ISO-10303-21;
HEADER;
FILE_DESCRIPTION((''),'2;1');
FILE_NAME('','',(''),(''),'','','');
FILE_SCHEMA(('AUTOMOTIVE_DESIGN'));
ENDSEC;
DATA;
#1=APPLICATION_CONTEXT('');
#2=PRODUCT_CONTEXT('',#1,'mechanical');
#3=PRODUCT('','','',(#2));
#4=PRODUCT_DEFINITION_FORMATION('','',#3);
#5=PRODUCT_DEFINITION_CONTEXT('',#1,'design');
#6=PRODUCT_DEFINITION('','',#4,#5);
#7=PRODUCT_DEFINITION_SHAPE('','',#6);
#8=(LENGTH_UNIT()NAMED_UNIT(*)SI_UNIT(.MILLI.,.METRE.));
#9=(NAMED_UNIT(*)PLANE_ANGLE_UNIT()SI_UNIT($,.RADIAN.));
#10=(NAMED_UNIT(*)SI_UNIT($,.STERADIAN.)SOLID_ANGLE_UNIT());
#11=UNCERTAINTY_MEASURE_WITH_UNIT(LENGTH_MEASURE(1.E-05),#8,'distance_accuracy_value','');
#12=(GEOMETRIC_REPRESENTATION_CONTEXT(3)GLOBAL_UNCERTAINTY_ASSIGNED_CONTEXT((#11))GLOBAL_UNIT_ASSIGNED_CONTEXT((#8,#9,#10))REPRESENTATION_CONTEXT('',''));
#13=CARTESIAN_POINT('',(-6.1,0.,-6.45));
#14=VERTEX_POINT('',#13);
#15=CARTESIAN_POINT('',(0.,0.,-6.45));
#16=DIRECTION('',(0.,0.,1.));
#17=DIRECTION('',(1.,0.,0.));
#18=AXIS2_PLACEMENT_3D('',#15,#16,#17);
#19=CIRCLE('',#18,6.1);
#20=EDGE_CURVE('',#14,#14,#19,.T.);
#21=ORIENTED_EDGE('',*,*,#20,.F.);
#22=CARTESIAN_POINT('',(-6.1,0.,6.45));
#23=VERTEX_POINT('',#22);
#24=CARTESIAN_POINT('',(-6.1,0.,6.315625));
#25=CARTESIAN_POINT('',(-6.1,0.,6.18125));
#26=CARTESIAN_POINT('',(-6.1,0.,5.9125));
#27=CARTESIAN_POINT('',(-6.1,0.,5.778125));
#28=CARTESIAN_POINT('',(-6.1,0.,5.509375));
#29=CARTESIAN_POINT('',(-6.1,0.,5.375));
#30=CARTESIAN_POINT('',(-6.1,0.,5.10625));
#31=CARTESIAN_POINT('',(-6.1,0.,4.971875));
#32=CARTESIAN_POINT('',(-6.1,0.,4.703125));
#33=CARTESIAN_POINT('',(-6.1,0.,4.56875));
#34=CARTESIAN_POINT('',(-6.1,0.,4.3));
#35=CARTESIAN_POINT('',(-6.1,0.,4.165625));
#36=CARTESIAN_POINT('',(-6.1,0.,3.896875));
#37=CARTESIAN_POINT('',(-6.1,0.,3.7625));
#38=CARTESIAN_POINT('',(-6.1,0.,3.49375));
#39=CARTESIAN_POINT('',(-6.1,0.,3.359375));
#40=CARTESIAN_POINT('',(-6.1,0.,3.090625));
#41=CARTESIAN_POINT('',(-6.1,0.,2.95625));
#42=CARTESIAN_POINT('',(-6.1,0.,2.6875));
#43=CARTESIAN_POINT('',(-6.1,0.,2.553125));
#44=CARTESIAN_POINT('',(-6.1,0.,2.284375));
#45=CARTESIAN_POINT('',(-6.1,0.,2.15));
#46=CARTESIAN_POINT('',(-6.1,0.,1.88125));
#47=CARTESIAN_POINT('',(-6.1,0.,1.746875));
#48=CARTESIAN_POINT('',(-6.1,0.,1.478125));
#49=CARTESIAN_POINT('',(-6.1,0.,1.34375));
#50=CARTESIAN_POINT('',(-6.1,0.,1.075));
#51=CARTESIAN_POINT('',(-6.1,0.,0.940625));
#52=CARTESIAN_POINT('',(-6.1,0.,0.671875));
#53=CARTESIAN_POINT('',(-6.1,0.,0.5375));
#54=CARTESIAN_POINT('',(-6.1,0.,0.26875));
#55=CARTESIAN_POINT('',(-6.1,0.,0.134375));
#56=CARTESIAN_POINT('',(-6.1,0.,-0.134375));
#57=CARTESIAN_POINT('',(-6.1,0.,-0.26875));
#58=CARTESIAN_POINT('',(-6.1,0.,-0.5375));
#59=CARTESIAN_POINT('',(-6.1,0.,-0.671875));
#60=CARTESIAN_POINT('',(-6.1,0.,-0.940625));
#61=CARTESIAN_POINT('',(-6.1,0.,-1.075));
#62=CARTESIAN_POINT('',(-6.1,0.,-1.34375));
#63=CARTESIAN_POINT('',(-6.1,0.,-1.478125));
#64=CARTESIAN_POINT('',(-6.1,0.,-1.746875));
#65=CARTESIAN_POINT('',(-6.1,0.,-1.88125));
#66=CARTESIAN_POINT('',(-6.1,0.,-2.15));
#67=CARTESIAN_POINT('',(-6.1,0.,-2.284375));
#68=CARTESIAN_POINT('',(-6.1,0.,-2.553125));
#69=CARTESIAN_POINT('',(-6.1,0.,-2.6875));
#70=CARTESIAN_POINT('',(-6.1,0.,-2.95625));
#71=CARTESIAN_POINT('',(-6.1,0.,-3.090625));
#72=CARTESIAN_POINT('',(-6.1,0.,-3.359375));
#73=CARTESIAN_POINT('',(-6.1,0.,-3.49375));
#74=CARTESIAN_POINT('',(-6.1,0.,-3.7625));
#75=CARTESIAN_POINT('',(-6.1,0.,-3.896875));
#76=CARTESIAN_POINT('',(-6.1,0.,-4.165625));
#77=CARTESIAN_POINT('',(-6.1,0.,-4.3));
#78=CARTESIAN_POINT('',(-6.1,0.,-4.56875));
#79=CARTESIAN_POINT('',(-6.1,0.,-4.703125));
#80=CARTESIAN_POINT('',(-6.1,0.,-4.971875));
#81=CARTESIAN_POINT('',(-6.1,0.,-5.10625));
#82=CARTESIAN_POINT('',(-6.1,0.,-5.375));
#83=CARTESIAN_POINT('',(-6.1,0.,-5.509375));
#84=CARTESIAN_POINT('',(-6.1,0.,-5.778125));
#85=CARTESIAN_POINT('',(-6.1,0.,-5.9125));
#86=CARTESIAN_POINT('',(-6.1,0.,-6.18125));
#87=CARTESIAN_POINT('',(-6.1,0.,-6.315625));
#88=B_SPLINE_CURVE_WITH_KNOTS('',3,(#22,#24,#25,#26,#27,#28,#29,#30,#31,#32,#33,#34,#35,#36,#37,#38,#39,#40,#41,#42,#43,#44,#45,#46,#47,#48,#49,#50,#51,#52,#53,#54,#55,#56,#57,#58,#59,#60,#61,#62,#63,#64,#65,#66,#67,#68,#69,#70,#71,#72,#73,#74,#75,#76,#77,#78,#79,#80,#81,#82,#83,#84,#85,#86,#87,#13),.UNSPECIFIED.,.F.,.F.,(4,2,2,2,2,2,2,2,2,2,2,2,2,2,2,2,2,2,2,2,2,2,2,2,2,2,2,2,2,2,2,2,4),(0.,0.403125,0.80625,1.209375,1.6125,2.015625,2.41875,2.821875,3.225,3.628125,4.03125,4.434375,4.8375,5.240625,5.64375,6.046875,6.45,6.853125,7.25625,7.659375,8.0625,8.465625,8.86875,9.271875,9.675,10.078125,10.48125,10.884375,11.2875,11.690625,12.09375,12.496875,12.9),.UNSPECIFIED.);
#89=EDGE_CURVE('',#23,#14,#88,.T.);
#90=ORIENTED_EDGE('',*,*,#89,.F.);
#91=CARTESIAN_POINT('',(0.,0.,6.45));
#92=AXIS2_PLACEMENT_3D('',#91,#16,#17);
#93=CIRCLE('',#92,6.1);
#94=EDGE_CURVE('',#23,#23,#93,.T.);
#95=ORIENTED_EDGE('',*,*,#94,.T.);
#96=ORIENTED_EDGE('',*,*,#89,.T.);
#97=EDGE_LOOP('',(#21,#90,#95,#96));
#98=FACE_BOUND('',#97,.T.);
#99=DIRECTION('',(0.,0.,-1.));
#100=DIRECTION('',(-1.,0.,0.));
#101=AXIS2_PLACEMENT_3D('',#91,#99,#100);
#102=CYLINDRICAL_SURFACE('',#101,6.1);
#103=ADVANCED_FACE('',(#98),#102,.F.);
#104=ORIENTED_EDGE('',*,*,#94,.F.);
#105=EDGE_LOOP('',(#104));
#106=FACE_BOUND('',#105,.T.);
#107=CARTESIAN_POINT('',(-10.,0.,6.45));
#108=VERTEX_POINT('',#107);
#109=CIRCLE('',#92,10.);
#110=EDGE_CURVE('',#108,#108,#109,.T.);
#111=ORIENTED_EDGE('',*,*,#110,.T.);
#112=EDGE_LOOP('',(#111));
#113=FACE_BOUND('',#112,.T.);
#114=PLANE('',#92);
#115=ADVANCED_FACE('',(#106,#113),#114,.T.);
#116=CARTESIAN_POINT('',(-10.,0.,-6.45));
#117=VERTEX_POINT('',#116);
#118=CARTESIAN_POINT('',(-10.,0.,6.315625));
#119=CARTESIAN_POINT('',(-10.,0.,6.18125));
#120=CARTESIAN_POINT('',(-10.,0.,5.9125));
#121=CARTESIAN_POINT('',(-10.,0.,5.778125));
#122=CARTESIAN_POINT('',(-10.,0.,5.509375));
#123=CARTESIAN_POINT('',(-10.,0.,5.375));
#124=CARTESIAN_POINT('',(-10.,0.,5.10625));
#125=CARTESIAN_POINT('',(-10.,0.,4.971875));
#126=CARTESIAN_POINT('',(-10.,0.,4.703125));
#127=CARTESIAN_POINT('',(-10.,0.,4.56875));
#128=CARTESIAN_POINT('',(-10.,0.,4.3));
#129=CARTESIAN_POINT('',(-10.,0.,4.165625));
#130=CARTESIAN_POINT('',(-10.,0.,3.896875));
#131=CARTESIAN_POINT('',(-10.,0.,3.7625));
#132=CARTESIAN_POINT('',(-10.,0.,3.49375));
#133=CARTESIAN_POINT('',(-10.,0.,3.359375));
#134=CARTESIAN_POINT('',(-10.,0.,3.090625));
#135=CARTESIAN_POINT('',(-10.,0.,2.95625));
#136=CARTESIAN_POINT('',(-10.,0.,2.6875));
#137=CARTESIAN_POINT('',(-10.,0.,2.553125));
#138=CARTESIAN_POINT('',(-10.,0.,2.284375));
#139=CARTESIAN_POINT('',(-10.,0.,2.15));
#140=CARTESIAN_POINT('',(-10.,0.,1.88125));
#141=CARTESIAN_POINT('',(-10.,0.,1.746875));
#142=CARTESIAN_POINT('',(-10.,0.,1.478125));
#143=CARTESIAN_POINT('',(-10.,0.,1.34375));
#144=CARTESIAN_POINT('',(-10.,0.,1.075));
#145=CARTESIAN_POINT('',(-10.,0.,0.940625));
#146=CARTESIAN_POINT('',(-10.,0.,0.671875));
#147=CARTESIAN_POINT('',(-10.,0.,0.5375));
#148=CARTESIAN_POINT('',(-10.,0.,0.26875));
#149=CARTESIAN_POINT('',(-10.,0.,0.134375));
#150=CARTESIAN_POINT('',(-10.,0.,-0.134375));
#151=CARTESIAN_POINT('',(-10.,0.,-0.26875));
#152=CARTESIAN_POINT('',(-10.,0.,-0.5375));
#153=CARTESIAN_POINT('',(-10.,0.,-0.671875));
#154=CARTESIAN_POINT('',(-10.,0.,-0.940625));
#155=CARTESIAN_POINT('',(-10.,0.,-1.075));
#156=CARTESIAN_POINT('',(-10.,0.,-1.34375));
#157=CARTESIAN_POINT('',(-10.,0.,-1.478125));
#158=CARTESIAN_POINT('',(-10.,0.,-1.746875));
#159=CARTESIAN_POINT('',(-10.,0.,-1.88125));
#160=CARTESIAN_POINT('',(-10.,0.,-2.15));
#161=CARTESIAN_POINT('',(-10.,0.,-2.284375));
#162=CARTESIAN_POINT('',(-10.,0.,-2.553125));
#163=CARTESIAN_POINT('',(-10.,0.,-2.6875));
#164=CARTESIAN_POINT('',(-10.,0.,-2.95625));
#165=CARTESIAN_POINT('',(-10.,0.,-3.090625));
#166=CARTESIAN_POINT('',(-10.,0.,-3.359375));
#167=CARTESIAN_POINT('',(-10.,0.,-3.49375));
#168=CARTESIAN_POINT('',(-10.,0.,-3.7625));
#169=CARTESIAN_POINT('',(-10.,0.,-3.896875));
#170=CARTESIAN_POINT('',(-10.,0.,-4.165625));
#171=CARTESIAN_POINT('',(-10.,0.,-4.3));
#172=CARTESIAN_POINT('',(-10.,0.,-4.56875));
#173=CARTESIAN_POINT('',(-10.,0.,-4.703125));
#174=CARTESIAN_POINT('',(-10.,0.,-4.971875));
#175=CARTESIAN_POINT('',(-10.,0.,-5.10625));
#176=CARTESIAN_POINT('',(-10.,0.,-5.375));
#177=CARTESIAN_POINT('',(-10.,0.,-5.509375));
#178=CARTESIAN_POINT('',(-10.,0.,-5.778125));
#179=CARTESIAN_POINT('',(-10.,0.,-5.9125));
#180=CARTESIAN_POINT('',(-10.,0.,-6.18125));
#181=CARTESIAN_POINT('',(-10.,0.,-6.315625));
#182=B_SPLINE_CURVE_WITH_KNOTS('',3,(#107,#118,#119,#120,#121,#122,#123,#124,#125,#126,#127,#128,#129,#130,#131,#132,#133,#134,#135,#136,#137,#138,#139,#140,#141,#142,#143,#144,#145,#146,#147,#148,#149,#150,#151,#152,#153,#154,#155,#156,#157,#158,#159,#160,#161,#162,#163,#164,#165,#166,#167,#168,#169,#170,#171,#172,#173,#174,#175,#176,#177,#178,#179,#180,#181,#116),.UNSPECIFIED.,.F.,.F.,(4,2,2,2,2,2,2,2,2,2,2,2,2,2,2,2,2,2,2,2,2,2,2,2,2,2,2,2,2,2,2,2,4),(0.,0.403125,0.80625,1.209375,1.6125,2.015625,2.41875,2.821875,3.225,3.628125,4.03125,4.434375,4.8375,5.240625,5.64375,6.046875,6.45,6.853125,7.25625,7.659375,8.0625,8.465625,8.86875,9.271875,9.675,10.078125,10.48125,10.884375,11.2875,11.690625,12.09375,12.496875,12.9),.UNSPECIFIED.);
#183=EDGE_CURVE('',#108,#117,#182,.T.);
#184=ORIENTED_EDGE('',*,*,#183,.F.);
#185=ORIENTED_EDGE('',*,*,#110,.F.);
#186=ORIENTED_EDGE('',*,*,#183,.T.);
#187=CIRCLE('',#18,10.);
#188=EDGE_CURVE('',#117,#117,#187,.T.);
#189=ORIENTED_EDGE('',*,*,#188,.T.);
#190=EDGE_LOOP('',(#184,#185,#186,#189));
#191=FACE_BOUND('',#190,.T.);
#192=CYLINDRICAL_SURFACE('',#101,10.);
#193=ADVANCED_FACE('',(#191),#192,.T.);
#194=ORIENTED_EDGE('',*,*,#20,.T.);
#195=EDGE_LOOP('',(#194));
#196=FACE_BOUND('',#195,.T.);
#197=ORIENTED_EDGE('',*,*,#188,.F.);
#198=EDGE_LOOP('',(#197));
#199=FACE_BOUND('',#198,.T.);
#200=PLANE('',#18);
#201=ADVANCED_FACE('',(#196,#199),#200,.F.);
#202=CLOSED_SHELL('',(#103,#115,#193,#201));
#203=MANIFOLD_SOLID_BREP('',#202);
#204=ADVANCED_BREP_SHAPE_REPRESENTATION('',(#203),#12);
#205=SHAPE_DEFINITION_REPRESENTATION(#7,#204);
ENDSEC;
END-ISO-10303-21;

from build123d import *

# Parameters (mm, degrees)
SKETCH1_R           = 10
SKETCH1_R_2         = 6.1
BOSS_EXTRUDE1_DEPTH = 6.45


with BuildPart() as part:
    # Sketch1 → Boss-Extrude1 (new, symmetric)
    with BuildSketch(Plane.XY):
        with Locations(Location((0, 0, 0), (0, 0, 180))):
            Circle(SKETCH1_R)
        with Locations(Location((0, 0, 0), (0, 0, 180))):
            Circle(SKETCH1_R_2, mode=Mode.SUBTRACT)
    extrude(amount=BOSS_EXTRUDE1_DEPTH, both=True)


solid = part.part
